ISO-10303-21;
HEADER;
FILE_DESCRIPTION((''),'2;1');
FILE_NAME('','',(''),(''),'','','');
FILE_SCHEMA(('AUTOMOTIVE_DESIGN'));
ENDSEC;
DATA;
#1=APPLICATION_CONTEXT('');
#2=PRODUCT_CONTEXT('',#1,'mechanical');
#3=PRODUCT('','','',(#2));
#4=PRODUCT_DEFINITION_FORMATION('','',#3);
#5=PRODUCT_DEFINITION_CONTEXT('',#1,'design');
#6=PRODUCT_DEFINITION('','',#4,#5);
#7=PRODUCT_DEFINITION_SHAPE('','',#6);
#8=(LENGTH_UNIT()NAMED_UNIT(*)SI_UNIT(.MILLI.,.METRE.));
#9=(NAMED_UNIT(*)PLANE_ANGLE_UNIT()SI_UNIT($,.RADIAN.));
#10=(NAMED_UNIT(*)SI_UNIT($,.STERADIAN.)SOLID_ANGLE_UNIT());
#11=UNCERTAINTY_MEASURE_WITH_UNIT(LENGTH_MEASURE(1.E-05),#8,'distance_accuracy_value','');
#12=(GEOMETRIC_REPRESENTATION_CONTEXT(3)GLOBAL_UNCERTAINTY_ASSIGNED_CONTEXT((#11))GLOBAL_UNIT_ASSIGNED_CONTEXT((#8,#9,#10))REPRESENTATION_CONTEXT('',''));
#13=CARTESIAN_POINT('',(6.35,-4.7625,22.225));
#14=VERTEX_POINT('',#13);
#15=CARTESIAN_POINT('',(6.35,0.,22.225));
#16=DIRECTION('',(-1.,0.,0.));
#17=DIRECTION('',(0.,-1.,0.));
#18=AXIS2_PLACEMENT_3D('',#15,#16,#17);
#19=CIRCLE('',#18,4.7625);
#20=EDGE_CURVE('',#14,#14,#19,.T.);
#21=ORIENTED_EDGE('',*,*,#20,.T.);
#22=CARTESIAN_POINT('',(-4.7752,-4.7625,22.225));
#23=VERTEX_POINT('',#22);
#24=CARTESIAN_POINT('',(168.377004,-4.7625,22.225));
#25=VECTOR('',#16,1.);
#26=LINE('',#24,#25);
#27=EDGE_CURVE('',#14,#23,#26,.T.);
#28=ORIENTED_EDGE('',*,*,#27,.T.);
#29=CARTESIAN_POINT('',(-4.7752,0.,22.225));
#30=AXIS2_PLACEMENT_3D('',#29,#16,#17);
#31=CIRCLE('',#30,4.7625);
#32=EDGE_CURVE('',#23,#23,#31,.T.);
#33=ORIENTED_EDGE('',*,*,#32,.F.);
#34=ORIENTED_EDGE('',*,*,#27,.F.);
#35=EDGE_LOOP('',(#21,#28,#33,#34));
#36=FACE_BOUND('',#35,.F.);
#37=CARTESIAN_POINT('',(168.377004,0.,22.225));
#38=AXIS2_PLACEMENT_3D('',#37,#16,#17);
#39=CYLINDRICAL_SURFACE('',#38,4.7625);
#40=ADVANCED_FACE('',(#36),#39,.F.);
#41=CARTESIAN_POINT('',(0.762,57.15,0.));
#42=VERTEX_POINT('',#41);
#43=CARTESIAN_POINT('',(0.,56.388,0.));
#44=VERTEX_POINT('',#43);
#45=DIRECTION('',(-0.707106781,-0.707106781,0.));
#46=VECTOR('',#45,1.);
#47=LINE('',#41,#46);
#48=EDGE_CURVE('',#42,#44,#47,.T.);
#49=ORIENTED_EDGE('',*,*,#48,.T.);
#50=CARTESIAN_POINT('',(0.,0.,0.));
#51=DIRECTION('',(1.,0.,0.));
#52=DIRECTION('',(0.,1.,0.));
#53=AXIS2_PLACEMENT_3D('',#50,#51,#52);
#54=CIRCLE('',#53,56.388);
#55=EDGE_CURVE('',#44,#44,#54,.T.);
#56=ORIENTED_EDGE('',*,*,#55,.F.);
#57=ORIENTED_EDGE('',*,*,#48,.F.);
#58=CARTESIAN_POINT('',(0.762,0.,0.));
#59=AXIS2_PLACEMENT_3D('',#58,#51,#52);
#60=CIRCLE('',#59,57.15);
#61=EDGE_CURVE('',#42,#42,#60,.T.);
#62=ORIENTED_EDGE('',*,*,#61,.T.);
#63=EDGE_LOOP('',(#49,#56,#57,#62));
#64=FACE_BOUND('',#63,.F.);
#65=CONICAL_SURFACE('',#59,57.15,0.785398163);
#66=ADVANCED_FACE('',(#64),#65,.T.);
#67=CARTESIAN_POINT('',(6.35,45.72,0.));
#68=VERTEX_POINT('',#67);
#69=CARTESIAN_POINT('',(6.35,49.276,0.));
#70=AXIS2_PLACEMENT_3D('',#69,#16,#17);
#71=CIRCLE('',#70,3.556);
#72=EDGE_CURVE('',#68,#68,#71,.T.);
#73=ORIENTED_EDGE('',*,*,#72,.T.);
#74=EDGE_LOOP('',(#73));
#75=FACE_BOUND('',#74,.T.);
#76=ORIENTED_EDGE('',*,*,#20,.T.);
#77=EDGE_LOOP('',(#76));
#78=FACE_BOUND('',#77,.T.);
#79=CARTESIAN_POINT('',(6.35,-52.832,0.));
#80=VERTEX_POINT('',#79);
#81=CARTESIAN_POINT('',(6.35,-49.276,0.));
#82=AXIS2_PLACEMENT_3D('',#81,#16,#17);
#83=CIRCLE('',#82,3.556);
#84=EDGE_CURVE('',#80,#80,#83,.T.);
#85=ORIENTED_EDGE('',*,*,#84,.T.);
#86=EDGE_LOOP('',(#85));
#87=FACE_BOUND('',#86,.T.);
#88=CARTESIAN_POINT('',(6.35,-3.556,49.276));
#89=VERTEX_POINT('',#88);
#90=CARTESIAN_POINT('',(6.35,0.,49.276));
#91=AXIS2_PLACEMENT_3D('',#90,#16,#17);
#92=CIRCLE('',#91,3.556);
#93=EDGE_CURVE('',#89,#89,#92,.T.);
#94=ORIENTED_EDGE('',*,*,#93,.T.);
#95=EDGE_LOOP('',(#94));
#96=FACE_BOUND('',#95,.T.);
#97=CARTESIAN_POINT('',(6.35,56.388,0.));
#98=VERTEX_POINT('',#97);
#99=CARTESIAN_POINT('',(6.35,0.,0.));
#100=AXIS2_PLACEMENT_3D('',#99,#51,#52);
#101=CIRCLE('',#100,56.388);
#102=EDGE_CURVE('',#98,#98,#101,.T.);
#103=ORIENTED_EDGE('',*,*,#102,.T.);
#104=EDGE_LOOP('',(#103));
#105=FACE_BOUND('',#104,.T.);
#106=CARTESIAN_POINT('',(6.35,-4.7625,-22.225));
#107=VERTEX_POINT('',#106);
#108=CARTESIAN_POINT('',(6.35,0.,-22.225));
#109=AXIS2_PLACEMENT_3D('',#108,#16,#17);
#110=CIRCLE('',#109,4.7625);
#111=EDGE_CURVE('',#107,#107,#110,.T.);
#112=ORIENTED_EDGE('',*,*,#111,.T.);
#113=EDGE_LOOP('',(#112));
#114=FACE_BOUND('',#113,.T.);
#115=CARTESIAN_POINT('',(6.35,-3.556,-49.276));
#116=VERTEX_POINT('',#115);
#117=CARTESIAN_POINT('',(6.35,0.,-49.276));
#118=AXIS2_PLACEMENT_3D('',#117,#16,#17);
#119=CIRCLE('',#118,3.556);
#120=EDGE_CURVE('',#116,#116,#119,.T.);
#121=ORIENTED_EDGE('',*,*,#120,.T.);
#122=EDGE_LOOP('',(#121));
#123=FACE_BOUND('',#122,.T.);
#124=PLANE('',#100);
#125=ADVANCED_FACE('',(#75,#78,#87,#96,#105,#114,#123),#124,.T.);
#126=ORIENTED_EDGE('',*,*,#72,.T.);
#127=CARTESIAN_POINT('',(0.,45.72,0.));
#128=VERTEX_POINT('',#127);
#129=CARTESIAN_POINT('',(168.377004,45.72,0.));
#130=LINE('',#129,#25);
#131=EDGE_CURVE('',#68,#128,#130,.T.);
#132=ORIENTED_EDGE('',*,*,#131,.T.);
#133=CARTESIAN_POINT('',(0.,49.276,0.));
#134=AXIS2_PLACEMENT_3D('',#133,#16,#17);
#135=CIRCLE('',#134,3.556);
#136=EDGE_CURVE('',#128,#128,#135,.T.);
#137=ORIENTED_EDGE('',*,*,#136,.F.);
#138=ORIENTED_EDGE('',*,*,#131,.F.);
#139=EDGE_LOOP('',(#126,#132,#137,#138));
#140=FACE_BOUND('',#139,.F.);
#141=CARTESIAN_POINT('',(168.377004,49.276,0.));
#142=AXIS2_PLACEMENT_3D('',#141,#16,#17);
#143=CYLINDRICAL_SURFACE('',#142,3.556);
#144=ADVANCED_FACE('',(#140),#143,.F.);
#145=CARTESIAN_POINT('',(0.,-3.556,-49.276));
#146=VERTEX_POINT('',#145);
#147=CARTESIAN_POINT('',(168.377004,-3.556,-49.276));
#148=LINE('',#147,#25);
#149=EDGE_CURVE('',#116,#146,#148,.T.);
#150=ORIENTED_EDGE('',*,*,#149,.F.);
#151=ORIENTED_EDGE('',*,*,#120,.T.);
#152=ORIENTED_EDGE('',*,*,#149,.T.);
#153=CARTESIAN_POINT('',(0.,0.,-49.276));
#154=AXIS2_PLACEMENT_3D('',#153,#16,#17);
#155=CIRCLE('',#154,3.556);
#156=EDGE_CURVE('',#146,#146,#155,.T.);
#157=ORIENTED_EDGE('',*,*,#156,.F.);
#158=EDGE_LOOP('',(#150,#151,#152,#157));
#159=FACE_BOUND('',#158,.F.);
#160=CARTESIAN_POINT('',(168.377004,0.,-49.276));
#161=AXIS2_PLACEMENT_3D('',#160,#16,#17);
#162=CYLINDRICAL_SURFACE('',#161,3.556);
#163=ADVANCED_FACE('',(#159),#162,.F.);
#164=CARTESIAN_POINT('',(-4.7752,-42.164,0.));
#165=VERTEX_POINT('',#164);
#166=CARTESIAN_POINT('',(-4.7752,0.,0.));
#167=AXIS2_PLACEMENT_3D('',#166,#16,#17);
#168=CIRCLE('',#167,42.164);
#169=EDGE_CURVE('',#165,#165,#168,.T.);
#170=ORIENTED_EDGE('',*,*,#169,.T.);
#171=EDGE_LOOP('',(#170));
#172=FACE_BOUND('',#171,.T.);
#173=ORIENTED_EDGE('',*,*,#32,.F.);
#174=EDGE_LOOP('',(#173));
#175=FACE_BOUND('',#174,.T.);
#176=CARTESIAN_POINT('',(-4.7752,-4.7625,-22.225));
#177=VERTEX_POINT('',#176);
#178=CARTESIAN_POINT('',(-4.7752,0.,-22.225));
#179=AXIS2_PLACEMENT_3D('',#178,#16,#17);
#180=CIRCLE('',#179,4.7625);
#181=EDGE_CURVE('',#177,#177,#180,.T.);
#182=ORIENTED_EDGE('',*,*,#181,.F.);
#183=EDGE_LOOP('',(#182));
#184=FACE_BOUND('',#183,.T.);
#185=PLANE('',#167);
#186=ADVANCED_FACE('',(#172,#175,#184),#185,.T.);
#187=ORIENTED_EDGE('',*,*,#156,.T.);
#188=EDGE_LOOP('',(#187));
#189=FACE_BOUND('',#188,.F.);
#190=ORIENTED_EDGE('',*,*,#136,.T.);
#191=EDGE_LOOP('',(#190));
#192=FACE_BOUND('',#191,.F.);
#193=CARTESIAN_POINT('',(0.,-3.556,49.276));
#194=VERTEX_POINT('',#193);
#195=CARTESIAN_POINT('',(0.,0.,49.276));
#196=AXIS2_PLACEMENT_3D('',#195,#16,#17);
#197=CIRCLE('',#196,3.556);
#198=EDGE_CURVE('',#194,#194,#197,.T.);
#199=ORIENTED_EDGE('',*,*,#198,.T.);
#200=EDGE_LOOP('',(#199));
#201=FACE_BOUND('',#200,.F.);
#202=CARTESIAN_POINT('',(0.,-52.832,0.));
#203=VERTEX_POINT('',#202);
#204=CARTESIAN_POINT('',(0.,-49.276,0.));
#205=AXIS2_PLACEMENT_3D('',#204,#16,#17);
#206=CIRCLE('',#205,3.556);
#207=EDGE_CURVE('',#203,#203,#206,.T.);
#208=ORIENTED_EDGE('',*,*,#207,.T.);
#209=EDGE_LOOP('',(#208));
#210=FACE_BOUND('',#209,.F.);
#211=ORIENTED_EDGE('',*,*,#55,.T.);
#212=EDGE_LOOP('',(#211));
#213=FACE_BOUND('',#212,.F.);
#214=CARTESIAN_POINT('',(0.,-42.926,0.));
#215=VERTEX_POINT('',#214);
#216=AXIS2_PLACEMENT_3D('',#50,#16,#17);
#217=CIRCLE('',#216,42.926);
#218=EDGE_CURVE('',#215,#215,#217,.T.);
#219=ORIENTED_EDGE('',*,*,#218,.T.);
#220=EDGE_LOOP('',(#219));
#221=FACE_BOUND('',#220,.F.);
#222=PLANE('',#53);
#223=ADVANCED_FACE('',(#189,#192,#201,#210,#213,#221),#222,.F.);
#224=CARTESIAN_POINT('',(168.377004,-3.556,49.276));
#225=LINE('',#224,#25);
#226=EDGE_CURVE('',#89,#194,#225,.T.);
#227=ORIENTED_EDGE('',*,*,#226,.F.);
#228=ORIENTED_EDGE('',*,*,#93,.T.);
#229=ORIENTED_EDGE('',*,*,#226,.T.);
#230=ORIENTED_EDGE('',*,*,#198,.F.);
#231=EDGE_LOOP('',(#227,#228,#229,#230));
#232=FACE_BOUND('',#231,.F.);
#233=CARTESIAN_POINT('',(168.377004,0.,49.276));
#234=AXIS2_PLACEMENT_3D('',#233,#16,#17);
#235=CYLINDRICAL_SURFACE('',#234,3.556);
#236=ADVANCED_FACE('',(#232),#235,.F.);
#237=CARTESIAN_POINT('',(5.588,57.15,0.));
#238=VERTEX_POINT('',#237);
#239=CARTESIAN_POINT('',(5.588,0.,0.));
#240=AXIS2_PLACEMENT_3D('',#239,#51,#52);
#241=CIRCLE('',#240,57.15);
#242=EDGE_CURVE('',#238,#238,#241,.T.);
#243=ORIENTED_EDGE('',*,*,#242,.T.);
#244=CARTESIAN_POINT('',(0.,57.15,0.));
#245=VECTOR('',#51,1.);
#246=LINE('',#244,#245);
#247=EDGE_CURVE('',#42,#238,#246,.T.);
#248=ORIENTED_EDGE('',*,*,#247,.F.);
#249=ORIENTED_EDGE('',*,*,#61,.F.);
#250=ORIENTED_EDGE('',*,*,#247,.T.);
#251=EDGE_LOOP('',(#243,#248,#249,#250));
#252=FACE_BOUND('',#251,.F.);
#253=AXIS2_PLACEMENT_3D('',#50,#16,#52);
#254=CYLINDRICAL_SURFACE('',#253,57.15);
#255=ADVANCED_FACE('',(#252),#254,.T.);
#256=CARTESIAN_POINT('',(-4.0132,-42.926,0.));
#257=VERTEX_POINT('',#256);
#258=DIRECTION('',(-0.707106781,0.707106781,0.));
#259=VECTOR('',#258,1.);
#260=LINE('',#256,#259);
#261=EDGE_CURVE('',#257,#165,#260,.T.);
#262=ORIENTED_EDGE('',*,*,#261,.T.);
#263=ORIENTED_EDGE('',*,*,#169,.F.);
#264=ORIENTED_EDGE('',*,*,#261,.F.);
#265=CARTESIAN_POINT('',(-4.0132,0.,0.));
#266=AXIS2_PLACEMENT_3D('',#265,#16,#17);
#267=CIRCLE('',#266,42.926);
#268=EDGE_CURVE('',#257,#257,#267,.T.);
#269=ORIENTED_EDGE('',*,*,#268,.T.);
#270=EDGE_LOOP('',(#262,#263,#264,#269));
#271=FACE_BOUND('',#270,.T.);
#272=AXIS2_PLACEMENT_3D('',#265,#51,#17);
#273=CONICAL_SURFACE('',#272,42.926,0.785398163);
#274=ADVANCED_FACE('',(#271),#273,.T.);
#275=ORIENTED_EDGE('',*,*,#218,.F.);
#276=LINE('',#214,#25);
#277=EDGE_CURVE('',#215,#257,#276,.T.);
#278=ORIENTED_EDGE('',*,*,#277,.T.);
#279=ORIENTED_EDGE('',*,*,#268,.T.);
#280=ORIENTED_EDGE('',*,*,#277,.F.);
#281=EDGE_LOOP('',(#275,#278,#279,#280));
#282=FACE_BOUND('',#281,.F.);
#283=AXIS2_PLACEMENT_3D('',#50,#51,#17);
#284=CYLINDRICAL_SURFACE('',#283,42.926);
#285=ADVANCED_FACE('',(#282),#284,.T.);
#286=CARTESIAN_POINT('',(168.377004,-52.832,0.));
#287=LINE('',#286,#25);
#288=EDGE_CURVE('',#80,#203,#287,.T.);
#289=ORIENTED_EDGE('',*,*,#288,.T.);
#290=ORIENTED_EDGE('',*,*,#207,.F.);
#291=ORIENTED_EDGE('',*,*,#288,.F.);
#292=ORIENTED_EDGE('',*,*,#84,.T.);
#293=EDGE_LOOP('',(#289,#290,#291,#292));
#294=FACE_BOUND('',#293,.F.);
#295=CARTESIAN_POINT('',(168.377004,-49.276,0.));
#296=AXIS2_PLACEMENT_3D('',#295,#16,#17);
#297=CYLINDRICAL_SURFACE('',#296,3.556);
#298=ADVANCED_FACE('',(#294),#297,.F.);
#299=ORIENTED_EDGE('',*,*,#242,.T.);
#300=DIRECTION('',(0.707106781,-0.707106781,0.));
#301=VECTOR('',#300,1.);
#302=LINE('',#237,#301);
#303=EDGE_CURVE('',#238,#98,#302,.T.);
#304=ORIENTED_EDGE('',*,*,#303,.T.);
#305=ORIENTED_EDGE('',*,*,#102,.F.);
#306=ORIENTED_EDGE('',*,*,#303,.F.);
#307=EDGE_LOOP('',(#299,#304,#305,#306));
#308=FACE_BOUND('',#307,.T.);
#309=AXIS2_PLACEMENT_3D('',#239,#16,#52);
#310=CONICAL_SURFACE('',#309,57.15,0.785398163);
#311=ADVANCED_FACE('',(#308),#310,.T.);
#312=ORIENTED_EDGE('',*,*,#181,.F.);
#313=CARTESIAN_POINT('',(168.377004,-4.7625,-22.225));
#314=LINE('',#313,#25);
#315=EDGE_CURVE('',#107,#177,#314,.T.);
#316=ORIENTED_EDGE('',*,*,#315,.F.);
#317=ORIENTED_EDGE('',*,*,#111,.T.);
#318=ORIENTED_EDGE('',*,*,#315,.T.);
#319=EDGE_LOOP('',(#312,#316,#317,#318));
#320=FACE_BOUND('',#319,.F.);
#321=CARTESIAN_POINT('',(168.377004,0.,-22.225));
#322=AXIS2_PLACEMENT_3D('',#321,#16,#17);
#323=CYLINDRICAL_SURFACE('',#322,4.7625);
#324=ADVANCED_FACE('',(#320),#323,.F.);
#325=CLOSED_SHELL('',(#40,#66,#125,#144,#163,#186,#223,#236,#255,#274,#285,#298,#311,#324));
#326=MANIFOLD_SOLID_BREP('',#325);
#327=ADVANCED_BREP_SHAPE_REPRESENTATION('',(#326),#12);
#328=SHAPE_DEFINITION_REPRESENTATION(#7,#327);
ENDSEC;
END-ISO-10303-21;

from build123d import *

# Parameters (mm, degrees)
F0_R     = 57.15
F1_DEPTH = 6.35
F2_R     = 42.926
F3_DEPTH = 4.7752
F4_SIZE  = 0.762
F6_D     = 7.112
F8_D     = 9.525


with BuildPart() as f1:
    # F0 (on Right) → F1 (new body)
    with BuildSketch(Plane.YZ):
        Circle(F0_R)
    extrude(amount=F1_DEPTH)

    # F2 (on face) → F3 (join)
    with BuildSketch(Plane(origin=(0, 0, 0), x_dir=(0, -1, 0), z_dir=(-1, 0, 0))):
        Circle(F2_R)
    extrude(amount=F3_DEPTH)

    # F4
    f4_edges = [f1.edges().sort_by_distance(p)[0] for p in [
        (6.35, -57.15, 0),
        (0, -57.15, 0),
        (-4.7752, 42.926, 0),
    ]]
    chamfer(f4_edges, length=F4_SIZE)

    # F6 (through all)
    with Locations(Plane.YZ.offset(6.35)):
        with Locations((0, 49.276), (49.276, 0), (0, -49.276), (-49.276, 0)):
            Hole(F6_D / 2)

    # F8 (through all)
    with Locations(Plane.YZ.offset(6.35)):
        with Locations((0, 22.225), (0, -22.225)):
            Hole(F8_D / 2)


solid = f1.part
